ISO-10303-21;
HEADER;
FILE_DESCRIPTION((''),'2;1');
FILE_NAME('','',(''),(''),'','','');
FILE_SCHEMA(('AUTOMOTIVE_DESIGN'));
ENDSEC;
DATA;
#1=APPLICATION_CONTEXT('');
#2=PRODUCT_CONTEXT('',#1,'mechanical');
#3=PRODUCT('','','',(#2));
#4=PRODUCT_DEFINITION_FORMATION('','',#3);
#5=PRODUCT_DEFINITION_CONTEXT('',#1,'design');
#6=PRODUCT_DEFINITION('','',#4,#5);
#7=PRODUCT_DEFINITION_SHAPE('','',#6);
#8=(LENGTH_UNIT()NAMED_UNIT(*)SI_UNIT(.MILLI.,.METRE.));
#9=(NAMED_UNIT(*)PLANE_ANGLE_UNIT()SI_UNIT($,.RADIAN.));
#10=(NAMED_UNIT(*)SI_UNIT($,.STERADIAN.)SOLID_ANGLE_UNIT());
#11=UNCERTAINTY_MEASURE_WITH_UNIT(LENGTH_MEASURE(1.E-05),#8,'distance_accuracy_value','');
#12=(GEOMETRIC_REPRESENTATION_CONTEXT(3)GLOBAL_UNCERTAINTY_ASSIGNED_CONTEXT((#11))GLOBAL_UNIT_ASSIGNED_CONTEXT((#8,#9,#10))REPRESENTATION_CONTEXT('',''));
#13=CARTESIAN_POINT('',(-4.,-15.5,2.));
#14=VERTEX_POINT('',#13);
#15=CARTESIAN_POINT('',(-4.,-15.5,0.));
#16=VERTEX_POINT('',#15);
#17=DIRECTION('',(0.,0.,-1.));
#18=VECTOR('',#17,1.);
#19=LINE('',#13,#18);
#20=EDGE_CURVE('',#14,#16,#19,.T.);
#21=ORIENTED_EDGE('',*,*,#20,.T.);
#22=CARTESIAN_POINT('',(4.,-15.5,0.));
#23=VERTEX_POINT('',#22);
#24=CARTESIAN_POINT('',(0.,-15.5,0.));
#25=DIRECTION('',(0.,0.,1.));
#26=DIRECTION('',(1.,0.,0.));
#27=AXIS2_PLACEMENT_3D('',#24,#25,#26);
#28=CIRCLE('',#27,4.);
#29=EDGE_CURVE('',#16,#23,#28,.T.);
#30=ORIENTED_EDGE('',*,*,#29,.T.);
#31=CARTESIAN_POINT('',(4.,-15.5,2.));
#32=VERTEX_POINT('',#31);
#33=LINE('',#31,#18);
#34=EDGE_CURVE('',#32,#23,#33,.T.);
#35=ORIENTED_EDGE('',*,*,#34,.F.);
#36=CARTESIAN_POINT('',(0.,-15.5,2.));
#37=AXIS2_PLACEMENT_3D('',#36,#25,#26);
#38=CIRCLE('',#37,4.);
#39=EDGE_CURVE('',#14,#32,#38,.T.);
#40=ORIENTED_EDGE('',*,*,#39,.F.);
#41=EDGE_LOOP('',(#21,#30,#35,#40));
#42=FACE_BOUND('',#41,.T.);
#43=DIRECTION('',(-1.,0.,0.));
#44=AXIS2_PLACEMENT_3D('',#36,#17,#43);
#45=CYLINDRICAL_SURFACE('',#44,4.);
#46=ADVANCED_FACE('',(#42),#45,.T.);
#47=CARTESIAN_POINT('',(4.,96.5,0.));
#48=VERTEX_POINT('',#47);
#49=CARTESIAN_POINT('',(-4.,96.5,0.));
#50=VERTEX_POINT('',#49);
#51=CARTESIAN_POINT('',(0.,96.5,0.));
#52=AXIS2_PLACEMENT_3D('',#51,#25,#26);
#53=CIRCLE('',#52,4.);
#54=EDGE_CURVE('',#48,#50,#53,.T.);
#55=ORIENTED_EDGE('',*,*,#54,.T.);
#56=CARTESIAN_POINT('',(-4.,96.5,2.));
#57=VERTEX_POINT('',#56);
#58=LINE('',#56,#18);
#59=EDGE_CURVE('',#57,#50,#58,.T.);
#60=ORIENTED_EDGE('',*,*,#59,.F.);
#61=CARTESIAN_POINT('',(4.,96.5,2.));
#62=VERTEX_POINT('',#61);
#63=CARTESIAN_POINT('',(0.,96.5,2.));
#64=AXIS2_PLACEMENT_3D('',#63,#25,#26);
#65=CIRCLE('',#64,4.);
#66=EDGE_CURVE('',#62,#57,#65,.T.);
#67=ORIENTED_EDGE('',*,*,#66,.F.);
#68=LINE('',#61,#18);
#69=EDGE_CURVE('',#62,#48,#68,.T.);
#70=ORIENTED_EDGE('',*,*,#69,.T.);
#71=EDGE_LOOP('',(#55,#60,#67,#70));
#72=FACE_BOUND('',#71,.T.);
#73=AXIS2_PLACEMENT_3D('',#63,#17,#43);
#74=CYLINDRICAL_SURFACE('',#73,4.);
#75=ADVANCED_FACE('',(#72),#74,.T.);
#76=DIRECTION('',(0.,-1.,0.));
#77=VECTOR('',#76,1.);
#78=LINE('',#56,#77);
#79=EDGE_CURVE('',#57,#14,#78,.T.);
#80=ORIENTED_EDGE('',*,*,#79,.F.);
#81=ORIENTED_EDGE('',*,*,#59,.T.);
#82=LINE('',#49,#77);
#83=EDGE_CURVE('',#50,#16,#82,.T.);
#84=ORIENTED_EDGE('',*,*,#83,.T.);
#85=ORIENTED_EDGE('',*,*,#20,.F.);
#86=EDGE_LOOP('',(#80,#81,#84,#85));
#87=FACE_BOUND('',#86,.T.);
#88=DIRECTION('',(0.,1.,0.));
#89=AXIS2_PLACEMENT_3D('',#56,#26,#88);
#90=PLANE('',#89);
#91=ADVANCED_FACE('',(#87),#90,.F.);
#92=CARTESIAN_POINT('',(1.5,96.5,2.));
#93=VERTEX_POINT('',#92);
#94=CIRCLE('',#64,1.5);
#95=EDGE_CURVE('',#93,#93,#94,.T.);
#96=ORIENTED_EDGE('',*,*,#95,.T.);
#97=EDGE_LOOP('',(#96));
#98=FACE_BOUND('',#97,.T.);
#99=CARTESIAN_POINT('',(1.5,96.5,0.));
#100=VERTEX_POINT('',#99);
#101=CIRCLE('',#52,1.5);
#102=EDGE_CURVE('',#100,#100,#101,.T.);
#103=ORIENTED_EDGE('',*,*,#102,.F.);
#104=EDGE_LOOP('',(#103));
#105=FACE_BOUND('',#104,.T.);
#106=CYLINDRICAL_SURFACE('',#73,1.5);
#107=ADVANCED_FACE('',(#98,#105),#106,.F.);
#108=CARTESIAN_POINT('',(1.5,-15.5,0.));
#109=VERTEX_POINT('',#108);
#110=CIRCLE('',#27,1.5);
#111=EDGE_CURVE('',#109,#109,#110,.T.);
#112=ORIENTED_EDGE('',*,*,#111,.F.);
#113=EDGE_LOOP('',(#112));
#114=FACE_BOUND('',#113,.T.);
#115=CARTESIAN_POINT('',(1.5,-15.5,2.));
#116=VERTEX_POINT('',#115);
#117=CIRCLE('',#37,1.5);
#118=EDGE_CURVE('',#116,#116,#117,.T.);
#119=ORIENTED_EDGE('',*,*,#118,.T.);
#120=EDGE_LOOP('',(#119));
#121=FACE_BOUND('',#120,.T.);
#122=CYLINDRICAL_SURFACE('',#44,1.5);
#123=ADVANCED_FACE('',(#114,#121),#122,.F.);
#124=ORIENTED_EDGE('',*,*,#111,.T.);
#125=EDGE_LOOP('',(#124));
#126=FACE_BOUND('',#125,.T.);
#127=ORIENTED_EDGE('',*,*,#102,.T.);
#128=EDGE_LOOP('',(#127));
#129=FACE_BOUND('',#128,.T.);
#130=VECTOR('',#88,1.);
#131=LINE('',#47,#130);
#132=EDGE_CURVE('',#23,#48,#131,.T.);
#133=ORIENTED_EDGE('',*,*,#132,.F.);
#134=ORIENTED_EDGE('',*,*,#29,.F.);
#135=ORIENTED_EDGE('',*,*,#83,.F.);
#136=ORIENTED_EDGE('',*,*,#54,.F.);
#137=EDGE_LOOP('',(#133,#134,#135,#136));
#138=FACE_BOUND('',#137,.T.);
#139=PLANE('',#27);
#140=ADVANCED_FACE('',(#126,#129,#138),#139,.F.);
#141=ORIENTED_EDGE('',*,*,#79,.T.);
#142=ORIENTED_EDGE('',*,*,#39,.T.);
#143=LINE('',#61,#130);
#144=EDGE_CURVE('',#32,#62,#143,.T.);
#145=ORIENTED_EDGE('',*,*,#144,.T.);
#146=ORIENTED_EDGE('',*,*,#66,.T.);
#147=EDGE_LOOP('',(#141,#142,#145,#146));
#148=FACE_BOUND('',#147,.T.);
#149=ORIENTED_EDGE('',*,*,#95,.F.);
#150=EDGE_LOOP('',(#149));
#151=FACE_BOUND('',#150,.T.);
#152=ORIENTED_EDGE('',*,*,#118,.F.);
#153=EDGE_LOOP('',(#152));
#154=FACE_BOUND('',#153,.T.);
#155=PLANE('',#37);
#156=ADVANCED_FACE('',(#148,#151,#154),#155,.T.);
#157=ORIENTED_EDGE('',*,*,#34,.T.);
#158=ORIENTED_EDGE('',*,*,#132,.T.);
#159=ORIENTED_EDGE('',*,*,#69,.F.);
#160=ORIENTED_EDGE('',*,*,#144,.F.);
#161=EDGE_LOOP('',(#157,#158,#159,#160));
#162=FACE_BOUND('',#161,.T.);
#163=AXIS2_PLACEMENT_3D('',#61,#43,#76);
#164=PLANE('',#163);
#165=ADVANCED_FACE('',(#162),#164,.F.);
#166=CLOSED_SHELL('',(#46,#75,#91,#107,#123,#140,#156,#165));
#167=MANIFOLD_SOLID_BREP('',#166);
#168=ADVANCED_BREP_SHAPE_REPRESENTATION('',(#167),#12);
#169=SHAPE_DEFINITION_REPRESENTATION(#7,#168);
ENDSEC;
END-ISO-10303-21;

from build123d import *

# Parameters (mm, degrees)
SKETCH1_R           = 1.5
BOSS_EXTRUDE1_DEPTH = 2


with BuildPart() as part:
    # Sketch1 → Boss-Extrude1 (new body)
    with BuildSketch(Plane.XY):
        with BuildLine():
            Line((-4, 96.5), (-4, -15.5))
            ThreePointArc((-4, -15.5), (0, -19.5), (4, -15.5))
            Line((4, -15.5), (4, 96.5))
            ThreePointArc((4, 96.5), (0, 100.5), (-4, 96.5))
        make_face()
        with Locations((0, 96.5)):
            Circle(SKETCH1_R, mode=Mode.SUBTRACT)
        with Locations((0, -15.5)):
            Circle(SKETCH1_R, mode=Mode.SUBTRACT)
    extrude(amount=BOSS_EXTRUDE1_DEPTH)


solid = part.part
